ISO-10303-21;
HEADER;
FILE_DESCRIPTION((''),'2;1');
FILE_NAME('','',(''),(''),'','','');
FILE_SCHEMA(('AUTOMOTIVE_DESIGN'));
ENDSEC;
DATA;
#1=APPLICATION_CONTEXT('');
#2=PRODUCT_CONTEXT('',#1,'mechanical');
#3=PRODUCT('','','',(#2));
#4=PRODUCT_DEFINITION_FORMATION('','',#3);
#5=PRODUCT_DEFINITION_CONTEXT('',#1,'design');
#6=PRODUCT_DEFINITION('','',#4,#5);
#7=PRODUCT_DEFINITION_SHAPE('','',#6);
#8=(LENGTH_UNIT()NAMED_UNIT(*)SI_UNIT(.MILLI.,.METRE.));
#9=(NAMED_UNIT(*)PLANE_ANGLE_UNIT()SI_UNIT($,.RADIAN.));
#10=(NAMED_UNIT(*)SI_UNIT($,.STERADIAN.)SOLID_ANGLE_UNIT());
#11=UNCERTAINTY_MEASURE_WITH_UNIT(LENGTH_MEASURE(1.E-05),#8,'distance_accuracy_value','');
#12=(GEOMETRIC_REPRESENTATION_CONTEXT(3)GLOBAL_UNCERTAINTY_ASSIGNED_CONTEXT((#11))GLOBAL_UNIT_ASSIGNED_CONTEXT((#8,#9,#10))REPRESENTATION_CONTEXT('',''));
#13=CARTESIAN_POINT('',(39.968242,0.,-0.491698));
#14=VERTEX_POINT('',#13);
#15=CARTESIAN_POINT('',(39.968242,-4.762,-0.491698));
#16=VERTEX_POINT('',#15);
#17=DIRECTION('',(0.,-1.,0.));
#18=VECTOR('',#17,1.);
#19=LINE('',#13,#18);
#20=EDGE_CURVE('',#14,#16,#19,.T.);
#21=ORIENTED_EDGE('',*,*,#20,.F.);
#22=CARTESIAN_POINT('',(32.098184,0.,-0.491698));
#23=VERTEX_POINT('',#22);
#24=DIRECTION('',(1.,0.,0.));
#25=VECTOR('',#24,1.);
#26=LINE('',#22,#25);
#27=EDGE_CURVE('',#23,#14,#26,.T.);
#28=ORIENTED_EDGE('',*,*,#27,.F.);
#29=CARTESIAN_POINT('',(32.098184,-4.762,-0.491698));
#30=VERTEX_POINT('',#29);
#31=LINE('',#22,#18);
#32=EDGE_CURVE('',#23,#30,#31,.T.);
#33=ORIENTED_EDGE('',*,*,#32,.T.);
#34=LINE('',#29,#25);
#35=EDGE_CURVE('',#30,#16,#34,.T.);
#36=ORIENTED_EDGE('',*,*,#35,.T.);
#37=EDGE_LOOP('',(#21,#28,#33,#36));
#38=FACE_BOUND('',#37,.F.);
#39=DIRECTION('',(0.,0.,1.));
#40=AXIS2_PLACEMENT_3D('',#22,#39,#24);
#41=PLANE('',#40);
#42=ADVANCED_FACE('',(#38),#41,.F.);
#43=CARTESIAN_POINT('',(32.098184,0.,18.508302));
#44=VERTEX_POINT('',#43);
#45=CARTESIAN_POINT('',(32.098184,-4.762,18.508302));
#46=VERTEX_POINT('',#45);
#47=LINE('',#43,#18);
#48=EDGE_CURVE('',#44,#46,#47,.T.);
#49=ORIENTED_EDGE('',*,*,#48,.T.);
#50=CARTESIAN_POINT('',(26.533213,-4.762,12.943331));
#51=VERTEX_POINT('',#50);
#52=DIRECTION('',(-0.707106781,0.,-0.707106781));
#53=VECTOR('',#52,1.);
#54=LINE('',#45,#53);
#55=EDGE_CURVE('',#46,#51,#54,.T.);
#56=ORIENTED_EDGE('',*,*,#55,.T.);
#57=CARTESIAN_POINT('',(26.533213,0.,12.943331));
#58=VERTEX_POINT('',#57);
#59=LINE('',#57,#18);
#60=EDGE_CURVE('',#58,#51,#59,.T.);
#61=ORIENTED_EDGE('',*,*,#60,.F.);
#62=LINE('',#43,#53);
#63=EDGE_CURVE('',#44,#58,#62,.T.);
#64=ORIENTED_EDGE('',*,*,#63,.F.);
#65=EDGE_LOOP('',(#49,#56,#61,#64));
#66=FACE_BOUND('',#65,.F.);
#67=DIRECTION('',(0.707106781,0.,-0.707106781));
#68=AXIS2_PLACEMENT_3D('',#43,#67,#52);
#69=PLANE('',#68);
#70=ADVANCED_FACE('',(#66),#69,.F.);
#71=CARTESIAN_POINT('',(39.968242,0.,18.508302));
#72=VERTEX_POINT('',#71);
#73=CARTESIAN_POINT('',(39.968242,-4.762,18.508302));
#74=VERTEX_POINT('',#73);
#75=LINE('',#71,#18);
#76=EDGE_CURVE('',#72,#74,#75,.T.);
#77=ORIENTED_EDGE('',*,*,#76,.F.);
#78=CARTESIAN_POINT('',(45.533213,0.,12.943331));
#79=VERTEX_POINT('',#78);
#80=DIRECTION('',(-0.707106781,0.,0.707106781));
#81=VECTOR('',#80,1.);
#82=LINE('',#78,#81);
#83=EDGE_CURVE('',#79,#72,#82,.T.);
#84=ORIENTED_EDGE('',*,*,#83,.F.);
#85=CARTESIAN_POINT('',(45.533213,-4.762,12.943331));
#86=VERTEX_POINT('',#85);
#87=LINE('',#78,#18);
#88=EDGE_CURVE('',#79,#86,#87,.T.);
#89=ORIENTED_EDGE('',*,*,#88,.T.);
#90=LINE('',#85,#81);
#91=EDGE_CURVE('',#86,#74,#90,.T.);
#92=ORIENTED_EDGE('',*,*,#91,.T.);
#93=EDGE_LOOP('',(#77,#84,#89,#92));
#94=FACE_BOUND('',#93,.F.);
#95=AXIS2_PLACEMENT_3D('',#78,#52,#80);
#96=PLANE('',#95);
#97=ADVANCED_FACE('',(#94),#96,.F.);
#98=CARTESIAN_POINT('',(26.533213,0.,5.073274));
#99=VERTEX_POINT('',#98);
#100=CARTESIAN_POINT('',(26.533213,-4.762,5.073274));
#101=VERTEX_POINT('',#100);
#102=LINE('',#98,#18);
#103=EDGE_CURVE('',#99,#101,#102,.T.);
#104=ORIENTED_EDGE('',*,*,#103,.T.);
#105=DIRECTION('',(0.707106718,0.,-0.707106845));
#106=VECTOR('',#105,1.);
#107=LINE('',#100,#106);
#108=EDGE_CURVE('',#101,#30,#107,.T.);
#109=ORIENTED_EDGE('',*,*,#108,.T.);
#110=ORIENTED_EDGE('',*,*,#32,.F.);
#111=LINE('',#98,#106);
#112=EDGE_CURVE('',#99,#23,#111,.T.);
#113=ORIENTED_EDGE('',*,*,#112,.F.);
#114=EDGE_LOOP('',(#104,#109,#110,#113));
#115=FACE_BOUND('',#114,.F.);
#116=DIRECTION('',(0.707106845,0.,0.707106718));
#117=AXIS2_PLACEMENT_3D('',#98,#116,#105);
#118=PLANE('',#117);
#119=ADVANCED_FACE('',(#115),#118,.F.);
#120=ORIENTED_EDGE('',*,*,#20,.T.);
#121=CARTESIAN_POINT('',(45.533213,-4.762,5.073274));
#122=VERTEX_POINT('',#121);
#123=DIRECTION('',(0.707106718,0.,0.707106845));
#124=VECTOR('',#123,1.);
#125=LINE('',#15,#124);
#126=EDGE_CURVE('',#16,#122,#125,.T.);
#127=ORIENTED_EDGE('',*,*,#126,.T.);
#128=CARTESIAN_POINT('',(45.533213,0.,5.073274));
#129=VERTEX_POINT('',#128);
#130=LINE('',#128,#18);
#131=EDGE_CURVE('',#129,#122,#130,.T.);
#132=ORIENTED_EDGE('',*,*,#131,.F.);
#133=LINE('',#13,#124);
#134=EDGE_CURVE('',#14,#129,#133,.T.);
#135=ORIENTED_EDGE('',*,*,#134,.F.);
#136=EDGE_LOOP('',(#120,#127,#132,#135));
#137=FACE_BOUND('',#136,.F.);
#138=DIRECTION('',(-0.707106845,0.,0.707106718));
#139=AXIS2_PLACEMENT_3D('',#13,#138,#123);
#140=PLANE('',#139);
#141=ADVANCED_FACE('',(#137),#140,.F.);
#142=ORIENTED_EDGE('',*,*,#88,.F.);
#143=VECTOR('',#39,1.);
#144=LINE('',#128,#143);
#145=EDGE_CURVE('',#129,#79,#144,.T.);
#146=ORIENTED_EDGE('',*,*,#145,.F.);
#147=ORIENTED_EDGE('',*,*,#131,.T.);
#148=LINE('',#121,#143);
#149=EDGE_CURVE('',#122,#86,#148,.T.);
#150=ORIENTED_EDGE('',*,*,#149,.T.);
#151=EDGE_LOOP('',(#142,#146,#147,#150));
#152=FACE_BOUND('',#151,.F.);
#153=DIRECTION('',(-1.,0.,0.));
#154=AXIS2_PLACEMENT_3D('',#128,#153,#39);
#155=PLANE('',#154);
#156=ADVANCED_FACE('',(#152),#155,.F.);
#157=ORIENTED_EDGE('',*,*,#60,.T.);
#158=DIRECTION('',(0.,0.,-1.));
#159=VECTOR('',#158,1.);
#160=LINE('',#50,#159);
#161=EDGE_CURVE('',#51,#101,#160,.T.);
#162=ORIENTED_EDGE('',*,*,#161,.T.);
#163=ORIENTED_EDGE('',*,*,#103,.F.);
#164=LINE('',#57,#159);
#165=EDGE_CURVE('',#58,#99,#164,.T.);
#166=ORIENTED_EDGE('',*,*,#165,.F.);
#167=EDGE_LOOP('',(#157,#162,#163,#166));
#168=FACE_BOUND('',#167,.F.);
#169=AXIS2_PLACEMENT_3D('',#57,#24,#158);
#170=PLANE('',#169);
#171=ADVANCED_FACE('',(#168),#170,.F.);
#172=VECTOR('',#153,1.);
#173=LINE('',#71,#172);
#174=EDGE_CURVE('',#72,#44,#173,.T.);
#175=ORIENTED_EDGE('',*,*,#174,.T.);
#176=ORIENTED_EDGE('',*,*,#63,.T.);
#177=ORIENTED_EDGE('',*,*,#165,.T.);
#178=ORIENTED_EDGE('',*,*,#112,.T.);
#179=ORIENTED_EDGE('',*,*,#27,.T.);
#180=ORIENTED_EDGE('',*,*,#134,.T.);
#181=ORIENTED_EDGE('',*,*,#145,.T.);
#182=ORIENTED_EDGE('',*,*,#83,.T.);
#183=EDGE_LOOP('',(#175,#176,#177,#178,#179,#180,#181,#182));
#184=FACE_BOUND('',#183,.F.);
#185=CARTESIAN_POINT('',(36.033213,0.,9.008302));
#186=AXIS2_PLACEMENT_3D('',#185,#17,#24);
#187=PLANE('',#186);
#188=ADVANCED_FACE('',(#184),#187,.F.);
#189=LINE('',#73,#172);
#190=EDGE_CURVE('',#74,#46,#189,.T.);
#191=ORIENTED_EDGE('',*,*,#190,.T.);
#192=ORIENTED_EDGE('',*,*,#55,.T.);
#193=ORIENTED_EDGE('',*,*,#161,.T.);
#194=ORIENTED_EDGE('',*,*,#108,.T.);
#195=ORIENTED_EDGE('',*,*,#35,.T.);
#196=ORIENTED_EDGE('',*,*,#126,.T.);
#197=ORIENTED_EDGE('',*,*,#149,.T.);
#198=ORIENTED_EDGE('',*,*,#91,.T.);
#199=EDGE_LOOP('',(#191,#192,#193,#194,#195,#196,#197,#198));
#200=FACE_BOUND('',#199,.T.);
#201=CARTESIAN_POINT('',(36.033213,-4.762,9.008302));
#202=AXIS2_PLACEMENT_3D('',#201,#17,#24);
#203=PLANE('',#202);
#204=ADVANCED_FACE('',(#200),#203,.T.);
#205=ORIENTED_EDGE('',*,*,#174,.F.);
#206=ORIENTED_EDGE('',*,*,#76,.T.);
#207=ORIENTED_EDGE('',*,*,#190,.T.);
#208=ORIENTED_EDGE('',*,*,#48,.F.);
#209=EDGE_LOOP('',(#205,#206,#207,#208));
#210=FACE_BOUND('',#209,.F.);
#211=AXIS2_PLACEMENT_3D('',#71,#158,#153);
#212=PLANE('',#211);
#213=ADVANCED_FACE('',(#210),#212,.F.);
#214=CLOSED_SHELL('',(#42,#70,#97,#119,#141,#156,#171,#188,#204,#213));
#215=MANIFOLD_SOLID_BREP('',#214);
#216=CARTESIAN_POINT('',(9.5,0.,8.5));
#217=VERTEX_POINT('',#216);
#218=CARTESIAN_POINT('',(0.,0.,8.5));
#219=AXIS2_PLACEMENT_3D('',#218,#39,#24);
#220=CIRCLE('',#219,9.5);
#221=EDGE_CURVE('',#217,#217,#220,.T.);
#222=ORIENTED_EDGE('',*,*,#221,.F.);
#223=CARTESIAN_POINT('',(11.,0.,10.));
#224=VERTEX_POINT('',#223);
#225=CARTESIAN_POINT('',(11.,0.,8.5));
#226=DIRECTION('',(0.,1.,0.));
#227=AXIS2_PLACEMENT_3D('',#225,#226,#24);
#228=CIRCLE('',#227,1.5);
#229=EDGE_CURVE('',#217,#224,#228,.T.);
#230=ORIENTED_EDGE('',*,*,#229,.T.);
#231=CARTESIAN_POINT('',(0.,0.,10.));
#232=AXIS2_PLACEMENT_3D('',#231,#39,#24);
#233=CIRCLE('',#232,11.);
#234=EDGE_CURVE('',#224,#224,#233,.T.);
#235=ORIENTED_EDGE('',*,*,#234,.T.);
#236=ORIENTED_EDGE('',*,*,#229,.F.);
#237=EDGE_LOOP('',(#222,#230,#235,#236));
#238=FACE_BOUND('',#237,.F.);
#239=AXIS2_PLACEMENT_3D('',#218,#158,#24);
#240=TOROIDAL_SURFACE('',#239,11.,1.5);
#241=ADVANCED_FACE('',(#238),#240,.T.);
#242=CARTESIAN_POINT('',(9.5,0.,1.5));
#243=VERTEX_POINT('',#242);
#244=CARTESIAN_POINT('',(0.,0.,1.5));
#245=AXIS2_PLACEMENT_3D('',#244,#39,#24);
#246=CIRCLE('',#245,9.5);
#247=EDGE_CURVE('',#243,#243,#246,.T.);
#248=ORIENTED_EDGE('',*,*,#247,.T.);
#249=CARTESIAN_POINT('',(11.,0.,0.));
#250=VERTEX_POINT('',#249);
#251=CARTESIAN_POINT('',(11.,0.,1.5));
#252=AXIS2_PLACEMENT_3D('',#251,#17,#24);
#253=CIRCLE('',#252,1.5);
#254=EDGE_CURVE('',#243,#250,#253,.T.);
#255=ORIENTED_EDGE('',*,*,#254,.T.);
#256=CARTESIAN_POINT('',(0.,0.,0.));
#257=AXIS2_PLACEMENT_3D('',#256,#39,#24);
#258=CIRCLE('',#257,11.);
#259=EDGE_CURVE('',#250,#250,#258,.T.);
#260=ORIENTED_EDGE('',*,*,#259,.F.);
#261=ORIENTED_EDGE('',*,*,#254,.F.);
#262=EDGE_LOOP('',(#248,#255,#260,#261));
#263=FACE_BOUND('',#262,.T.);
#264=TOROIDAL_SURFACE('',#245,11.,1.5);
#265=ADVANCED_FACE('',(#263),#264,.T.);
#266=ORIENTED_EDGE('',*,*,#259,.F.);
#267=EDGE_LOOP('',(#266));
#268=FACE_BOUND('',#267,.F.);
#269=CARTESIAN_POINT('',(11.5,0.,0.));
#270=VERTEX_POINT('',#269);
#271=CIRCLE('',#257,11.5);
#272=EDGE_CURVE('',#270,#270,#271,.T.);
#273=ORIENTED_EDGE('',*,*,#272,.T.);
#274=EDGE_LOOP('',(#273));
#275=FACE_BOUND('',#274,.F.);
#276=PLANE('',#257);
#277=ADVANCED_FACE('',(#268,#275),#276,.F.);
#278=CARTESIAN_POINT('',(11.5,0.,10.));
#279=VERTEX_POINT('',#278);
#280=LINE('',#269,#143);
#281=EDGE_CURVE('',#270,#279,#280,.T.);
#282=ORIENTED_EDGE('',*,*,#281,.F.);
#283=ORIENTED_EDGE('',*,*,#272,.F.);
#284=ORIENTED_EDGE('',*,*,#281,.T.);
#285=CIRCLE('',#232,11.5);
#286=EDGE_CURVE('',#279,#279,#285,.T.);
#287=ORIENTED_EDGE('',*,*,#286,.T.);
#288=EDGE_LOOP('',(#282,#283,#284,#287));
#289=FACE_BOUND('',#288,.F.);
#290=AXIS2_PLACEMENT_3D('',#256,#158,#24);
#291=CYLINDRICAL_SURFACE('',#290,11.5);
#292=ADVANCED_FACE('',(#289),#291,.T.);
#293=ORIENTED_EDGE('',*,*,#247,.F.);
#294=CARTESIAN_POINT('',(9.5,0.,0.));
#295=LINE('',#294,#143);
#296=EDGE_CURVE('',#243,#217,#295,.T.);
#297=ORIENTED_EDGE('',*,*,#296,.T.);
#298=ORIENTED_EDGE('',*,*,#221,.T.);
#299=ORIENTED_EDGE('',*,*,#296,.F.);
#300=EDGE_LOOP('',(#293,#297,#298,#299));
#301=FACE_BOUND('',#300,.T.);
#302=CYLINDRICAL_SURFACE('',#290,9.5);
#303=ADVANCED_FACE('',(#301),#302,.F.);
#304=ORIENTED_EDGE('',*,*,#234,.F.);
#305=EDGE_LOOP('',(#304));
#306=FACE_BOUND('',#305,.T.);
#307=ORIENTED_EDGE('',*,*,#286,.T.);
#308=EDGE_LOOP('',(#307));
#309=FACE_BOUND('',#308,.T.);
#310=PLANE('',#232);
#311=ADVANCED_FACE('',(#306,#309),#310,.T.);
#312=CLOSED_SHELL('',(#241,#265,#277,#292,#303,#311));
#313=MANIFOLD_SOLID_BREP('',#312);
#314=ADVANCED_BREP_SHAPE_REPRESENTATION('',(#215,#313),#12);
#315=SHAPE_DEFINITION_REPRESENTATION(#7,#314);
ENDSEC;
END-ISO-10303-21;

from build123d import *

# Parameters (mm, degrees)
F0_R     = 11.5
F0_R_2   = 9.5
F1_DEPTH = 10
F2_R     = 1.5
F4_DEPTH = 4.762


with BuildPart() as f1:
    # F0 (on Top) → F1 (new body)
    with BuildSketch(Plane.XY):
        Circle(F0_R)
        Circle(F0_R_2, mode=Mode.SUBTRACT)
    extrude(amount=F1_DEPTH)

    # F2
    f2_edges = [f1.edges().sort_by_distance(p)[0] for p in [
        (-9.5, 0, 10),
        (-9.5, 0, 0),
    ]]
    fillet(f2_edges, radius=F2_R)


with BuildPart() as f4:
    # F3 (on Front) → F4 (new body)
    with BuildSketch(Plane.XZ):
        Polygon((39.968242, 18.508302), (32.098184, 18.508302), (26.533213, 12.943331), (26.533213, 5.073274), (32.098184, -0.491698), (39.968242, -0.491698), (45.533213, 5.073274), (45.533213, 12.943331), align=None)
    extrude(amount=F4_DEPTH)


solid = Compound([f1.part, f4.part])
